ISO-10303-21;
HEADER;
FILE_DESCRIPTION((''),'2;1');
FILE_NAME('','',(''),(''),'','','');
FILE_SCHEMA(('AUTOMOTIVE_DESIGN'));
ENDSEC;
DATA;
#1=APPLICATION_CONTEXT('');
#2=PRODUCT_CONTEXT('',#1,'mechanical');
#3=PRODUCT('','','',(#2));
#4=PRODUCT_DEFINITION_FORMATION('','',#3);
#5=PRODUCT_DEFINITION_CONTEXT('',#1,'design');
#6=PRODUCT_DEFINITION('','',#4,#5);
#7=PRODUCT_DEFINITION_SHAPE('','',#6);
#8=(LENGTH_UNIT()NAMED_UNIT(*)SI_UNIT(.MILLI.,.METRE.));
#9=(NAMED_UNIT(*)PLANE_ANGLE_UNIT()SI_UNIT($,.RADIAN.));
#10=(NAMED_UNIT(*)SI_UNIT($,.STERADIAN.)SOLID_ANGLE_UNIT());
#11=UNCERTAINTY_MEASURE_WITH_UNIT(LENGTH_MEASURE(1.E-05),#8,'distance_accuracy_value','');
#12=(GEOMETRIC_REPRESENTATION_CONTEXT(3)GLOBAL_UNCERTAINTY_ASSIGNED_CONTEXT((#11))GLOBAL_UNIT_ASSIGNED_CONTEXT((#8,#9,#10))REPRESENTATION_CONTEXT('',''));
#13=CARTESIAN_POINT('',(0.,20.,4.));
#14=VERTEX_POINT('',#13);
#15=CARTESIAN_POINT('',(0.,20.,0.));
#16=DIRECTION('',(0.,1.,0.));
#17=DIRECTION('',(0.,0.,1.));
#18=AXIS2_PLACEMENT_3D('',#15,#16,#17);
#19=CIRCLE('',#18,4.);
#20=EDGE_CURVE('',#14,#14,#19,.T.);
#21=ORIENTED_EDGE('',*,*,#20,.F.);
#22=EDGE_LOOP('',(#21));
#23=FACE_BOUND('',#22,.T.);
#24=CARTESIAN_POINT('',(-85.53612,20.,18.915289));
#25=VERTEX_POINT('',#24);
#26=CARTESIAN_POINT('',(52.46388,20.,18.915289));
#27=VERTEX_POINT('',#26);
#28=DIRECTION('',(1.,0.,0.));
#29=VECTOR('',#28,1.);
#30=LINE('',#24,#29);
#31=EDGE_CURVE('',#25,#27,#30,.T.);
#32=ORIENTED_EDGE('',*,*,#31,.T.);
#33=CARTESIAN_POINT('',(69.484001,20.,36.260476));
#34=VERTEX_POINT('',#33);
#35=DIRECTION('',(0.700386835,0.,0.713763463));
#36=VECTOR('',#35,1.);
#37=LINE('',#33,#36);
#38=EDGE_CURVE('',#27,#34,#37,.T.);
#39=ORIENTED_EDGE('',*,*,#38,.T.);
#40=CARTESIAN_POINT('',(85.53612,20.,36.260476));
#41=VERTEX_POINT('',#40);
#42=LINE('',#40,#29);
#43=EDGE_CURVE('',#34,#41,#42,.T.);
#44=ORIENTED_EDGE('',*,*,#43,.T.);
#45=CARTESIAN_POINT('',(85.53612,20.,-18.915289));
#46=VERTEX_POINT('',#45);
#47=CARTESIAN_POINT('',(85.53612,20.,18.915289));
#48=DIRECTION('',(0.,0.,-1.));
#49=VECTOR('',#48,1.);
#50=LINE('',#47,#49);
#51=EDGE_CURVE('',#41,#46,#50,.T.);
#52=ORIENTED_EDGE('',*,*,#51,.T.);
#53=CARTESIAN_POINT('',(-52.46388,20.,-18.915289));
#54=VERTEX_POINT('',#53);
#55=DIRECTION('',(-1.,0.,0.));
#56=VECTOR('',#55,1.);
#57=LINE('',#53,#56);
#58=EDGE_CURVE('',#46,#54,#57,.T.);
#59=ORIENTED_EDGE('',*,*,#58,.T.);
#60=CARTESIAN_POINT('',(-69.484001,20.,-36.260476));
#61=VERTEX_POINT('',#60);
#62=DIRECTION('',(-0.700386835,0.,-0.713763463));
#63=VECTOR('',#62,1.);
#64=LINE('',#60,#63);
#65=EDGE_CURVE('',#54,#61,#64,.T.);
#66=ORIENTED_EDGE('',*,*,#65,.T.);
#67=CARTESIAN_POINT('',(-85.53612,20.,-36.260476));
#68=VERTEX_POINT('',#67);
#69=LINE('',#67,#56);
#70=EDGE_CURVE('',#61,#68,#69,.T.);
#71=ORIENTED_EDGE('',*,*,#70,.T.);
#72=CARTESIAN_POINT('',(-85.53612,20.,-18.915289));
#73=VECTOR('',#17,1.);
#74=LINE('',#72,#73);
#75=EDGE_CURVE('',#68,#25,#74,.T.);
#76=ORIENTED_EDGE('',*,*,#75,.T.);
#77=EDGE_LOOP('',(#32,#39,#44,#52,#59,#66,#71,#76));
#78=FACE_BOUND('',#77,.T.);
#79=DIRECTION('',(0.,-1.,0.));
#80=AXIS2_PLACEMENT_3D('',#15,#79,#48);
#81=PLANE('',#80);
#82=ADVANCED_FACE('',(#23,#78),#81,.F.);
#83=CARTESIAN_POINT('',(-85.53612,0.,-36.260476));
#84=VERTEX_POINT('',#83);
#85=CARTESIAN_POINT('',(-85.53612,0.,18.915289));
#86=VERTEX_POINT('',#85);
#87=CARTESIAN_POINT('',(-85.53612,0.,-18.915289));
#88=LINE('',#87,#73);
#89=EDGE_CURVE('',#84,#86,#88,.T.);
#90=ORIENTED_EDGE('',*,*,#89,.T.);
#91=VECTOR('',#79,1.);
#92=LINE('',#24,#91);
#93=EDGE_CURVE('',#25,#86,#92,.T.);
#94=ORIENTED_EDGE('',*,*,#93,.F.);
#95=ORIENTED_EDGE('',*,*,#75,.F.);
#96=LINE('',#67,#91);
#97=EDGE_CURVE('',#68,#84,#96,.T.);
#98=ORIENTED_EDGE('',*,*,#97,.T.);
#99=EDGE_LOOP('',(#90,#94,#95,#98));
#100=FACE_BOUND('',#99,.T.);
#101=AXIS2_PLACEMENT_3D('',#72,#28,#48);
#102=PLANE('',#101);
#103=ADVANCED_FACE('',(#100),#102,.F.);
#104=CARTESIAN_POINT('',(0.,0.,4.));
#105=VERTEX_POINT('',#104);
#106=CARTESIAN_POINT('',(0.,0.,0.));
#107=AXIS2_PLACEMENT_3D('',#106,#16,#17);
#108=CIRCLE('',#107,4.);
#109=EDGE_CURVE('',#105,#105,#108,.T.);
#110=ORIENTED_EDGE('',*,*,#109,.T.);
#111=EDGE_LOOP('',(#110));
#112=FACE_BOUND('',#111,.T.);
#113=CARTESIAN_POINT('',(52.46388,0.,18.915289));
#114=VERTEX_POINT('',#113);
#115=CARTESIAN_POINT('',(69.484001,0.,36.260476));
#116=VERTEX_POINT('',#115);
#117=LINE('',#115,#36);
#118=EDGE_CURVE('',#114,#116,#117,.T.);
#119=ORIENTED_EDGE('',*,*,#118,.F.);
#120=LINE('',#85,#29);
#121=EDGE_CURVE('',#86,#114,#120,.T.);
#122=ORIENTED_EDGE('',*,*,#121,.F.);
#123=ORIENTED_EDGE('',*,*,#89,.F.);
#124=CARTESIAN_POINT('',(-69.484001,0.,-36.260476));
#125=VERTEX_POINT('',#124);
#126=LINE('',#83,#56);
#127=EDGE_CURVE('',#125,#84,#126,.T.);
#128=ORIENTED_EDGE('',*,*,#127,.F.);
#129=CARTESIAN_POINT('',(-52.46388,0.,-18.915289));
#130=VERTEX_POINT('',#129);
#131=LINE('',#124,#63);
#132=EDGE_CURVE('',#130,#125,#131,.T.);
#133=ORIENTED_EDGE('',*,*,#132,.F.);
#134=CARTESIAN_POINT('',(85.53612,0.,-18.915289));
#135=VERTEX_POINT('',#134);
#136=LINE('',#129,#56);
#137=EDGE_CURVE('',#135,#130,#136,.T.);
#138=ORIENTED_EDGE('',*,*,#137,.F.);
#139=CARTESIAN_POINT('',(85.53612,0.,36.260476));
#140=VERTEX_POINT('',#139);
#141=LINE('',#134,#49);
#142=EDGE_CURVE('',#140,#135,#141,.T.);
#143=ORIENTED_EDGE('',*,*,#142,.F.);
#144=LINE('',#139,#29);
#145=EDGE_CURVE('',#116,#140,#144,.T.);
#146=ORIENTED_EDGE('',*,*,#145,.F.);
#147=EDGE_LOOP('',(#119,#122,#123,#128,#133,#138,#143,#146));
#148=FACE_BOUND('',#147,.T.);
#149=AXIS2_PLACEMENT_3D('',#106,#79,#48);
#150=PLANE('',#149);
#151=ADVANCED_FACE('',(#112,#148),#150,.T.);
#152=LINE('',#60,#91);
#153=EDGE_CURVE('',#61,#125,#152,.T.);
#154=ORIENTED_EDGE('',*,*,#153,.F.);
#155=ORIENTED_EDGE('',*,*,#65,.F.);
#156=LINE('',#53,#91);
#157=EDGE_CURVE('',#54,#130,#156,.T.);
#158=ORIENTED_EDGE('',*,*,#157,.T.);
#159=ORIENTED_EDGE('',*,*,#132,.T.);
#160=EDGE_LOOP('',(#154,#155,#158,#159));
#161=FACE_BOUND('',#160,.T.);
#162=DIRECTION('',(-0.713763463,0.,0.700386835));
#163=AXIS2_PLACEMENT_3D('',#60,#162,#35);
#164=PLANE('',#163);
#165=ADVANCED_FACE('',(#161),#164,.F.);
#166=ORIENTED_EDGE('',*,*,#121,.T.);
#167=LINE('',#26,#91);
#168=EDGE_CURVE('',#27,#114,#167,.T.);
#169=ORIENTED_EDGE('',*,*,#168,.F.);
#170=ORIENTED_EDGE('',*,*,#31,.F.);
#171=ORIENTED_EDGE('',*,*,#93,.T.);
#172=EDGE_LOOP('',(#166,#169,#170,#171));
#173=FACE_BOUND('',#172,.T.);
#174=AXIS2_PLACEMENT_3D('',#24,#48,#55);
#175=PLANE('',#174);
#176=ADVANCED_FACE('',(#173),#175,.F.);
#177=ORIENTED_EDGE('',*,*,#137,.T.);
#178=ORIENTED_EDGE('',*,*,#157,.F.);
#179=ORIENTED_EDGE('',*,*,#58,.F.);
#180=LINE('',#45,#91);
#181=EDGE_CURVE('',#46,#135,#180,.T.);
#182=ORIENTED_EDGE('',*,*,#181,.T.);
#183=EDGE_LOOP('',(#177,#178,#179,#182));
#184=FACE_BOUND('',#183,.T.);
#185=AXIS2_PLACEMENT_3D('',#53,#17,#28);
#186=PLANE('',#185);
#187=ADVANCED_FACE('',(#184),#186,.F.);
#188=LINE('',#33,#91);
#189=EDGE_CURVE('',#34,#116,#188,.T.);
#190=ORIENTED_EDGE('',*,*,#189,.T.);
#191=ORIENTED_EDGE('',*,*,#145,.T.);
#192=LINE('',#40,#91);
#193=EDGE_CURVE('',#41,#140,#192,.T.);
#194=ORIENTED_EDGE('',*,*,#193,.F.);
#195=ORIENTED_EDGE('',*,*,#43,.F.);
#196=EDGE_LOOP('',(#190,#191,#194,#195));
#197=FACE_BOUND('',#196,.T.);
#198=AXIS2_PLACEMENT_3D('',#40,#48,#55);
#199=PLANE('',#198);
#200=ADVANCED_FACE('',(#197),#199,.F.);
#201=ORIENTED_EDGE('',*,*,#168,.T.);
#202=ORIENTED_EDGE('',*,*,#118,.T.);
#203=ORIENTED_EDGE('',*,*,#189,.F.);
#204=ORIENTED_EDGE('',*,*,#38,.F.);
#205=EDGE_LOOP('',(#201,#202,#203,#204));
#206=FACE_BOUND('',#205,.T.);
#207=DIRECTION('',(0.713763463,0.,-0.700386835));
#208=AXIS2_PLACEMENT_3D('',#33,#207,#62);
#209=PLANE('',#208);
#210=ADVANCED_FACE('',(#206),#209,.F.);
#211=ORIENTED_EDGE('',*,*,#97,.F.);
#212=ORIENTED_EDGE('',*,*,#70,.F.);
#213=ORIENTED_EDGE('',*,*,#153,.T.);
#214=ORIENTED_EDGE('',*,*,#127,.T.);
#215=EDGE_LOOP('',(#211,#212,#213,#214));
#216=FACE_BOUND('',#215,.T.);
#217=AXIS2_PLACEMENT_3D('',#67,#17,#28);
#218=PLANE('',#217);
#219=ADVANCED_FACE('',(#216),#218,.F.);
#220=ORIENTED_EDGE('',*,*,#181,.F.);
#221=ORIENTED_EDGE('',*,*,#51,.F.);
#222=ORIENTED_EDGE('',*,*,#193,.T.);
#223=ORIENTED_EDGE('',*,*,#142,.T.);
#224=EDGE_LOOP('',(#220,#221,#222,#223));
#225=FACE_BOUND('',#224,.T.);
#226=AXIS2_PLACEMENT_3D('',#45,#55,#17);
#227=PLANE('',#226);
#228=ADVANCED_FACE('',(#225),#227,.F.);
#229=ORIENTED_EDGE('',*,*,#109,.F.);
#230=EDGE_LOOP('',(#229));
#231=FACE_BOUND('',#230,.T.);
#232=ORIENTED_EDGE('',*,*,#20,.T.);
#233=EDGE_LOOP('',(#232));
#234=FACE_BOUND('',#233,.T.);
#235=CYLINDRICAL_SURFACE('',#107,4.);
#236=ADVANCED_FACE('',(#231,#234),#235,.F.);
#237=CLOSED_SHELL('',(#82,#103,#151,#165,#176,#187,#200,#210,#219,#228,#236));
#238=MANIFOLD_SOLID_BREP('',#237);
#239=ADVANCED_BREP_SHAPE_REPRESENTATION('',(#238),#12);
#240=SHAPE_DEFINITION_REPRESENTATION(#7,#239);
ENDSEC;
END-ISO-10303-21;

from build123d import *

# Parameters (mm, degrees)
BOSS_EXTRUDE1_DEPTH = 20
SKETCH2_R           = 4
CUT_EXTRUDE1_DEPTH  = 20


with BuildPart() as part:
    # Sketch1 → Boss-Extrude1 (new body)
    with BuildSketch(Plane(origin=(0, 0, 0), x_dir=(1, 0, 0), z_dir=(0, 1, 0))):
        Polygon((-85.536120369, 18.915289152), (-85.536120369, -18.915289152), (52.463879631, -18.915289152), (69.484000539, -36.260475895), (85.536120369, -36.260475895), (85.536120369, -18.915289152), (85.536120369, 18.915289152), (-52.463879631, 18.915289152), (-69.484000539, 36.260475895), (-85.536120369, 36.260475895), align=None)
    extrude(amount=BOSS_EXTRUDE1_DEPTH)

    # Sketch2 → Cut-Extrude1 (cut)
    with BuildSketch(Plane(origin=(0, 20, 0), x_dir=(1, 0, 0), z_dir=(0, 1, 0))):
        with Locations(Location((0, 0, 0), (0, 0, 270))):
            Circle(SKETCH2_R)
    extrude(amount=-CUT_EXTRUDE1_DEPTH, mode=Mode.SUBTRACT)


solid = part.part
